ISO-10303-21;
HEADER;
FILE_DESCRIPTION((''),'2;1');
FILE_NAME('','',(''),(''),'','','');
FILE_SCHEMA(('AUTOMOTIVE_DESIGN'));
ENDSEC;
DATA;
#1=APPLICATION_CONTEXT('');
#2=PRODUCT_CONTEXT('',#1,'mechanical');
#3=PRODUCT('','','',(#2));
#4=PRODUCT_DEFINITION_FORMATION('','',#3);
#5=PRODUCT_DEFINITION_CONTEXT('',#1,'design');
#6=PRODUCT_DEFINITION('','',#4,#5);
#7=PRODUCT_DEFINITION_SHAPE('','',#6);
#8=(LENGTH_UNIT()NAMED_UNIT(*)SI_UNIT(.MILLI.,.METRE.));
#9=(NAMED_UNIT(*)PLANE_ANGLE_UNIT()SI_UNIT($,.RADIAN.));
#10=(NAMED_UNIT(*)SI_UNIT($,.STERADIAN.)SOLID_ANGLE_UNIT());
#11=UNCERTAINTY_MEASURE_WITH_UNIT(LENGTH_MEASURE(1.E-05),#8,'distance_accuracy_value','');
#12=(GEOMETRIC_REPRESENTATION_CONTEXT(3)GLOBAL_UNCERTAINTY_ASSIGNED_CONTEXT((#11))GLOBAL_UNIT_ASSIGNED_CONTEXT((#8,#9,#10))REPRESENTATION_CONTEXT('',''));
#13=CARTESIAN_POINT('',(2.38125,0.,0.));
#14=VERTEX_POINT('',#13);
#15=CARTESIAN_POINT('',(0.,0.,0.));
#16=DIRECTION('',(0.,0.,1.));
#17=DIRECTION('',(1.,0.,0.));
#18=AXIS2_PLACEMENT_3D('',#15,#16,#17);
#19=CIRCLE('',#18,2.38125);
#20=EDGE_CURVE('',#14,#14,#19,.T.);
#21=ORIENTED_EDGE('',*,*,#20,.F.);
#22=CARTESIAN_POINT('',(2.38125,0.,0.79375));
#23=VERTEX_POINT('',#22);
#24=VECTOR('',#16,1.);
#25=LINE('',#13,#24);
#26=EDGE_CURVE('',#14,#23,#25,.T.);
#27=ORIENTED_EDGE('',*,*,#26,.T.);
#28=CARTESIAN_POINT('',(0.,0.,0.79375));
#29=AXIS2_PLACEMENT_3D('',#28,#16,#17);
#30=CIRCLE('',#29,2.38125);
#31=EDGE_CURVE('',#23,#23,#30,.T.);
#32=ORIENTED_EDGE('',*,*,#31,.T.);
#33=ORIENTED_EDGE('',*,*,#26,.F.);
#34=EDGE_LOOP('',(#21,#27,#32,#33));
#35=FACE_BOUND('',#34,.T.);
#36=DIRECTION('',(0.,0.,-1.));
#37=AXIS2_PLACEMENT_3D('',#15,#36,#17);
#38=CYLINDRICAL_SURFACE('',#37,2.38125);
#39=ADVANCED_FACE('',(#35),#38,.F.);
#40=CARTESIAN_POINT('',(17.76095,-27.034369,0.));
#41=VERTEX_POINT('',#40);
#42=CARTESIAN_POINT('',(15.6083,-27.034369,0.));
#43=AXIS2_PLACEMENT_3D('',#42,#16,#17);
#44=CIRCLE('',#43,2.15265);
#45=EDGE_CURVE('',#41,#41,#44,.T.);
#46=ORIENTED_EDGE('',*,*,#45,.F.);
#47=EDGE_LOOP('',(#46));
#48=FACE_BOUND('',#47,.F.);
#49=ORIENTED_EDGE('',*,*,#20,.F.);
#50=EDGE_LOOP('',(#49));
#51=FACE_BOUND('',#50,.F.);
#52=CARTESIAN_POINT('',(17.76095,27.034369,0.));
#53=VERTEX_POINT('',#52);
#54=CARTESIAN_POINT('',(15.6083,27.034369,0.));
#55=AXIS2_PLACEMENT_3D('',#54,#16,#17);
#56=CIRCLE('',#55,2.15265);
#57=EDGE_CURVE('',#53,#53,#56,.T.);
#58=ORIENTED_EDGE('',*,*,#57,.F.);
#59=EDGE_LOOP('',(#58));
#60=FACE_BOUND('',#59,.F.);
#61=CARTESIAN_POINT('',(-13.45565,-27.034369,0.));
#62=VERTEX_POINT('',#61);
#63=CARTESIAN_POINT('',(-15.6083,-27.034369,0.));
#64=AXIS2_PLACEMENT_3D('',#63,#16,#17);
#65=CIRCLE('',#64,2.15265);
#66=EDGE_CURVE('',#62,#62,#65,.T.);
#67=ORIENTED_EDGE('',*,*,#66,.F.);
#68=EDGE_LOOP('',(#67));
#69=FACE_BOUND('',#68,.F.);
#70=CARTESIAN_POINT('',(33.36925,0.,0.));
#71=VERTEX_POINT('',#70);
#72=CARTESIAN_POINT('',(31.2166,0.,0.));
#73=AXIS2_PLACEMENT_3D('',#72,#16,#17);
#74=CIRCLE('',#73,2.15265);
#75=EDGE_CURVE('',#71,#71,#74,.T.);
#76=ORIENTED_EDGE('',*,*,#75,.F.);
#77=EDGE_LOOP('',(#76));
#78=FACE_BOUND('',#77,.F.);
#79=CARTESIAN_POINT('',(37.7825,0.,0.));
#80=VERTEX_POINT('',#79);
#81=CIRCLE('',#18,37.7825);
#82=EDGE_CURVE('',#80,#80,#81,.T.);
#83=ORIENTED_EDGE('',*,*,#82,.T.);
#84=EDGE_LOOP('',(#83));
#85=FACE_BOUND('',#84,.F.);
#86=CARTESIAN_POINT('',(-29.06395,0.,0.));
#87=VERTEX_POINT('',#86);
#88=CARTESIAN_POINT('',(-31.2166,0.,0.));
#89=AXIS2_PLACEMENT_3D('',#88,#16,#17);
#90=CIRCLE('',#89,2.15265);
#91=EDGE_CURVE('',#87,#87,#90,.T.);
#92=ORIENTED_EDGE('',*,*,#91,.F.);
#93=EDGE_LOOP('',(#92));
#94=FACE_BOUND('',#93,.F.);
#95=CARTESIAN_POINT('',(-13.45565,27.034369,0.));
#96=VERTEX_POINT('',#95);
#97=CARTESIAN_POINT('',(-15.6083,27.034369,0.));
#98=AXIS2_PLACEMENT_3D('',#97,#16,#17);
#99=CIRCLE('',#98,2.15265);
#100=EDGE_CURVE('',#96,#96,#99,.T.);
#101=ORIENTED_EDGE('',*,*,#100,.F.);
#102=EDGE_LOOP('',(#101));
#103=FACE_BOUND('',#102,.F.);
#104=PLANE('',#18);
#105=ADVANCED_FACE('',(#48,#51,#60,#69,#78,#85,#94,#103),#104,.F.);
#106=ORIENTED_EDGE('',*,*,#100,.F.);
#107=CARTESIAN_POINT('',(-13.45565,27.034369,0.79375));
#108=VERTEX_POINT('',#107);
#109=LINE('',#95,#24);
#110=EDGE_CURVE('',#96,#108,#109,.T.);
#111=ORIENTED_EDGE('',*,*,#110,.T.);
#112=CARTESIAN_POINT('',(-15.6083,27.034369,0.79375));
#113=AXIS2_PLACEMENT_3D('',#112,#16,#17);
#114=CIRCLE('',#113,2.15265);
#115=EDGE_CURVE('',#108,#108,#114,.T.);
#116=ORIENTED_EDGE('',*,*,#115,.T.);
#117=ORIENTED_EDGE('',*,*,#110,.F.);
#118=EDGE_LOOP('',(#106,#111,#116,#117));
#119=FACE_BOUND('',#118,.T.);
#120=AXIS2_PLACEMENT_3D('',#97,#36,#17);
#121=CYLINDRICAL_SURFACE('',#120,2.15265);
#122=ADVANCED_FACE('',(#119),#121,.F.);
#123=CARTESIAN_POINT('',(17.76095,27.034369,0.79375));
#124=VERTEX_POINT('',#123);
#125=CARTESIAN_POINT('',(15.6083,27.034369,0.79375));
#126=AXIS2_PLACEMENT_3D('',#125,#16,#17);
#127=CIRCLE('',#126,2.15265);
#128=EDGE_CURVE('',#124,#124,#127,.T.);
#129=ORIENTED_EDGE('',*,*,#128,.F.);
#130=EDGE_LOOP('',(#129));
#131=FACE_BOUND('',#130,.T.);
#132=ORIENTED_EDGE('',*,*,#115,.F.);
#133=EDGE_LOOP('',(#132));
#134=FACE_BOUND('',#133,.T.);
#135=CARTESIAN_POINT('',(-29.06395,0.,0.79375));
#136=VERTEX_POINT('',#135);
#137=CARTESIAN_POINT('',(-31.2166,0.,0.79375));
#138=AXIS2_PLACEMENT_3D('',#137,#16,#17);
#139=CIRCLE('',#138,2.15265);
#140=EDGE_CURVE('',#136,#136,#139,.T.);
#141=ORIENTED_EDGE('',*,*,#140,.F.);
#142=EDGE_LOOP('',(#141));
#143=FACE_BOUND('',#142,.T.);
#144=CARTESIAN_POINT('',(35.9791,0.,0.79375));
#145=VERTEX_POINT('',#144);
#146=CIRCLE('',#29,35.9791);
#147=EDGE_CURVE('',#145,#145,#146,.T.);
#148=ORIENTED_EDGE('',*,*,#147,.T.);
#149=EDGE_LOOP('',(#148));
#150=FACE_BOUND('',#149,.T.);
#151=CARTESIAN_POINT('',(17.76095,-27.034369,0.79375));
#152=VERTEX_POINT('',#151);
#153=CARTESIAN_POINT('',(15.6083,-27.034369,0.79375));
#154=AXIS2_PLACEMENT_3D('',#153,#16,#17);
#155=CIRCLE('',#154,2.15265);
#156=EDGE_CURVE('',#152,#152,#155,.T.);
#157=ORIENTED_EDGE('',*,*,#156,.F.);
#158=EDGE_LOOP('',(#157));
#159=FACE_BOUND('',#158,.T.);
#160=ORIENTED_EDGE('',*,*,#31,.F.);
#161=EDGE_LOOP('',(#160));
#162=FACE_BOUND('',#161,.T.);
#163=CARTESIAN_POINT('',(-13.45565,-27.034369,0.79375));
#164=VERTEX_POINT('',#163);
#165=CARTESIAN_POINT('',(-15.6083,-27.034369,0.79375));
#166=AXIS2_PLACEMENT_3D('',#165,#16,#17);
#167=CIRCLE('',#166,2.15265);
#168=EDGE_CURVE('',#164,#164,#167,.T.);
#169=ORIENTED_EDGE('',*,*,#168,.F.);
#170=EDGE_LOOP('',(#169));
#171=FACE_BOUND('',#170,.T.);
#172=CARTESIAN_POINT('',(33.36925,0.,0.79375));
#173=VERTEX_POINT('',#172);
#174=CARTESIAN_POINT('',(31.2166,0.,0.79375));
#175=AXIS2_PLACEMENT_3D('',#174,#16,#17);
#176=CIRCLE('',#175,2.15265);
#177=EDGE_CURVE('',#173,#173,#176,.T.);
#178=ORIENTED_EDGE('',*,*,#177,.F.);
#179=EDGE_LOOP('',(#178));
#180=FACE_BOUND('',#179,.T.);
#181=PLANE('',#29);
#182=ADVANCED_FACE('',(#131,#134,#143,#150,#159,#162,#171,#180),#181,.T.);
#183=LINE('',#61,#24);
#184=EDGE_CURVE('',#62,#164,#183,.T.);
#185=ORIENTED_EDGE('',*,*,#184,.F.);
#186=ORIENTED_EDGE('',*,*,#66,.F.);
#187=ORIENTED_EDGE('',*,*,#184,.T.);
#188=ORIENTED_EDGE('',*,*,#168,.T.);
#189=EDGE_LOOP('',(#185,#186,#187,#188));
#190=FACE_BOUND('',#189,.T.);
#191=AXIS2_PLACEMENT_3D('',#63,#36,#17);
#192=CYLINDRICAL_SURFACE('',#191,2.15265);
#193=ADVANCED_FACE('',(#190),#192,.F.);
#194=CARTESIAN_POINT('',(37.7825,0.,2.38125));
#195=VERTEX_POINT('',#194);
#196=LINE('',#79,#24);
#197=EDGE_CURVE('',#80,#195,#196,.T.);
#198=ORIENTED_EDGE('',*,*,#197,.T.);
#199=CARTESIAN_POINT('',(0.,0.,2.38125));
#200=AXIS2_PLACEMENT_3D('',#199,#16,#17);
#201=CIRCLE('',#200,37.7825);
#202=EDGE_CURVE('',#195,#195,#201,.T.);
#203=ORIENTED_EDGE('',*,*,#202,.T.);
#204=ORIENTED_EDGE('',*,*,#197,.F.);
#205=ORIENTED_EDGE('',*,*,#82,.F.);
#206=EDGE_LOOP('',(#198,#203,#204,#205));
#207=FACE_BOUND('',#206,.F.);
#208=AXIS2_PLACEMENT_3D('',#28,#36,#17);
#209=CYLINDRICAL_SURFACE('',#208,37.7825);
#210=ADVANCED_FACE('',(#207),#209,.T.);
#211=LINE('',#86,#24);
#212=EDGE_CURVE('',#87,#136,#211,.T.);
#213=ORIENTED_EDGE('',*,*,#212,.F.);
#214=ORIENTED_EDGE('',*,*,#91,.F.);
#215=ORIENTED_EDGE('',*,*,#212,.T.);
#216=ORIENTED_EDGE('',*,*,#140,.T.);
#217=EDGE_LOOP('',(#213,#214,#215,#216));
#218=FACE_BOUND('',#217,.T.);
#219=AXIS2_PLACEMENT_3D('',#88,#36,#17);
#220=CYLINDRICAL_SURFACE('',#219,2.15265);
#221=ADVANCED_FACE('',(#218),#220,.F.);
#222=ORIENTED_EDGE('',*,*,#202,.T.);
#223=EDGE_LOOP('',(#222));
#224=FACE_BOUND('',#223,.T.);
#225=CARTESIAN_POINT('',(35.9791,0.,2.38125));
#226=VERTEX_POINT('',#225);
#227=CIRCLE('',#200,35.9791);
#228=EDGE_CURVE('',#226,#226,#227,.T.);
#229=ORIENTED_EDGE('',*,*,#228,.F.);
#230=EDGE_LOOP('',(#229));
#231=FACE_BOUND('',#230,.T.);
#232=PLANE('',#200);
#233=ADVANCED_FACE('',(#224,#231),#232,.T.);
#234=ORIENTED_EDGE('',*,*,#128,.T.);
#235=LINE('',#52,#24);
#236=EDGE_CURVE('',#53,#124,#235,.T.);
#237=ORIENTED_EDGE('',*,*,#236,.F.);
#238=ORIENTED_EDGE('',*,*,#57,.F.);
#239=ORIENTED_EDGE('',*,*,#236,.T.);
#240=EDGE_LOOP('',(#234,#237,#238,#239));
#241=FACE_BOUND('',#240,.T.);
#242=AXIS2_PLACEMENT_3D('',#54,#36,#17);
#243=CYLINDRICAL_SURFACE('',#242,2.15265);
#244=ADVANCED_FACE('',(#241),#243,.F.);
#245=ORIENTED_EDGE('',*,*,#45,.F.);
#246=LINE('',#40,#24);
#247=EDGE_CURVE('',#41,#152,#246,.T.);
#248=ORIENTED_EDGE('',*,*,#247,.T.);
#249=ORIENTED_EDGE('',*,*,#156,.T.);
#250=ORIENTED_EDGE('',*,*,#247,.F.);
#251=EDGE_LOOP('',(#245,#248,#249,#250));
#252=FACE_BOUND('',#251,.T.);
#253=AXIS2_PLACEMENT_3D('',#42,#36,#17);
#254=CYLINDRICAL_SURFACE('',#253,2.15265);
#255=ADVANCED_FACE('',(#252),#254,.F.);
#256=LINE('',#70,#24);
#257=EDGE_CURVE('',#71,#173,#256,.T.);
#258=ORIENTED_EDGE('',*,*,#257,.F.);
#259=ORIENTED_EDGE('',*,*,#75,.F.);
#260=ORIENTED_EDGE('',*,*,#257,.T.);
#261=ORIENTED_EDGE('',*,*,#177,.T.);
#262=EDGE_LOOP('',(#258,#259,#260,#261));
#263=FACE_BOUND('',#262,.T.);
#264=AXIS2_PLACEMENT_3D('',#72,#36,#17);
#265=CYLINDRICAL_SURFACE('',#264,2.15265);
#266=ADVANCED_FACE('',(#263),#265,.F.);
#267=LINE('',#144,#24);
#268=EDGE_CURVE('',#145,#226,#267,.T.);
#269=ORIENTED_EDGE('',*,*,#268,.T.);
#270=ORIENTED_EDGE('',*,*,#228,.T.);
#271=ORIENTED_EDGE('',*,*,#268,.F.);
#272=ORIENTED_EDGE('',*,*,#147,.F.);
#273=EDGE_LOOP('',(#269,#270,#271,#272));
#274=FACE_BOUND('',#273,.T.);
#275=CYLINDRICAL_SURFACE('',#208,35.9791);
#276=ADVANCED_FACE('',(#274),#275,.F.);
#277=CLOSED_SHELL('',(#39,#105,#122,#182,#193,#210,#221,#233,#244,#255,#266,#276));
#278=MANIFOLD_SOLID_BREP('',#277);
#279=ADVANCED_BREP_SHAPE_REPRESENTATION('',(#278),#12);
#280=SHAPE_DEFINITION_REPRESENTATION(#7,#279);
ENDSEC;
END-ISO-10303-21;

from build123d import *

# Parameters (mm, degrees)
F0_R     = 37.7825
F0_R_2   = 2.15265
F0_R_3   = 2.38125
F1_DEPTH = 0.79375
F2_R     = 37.7825
F2_R_2   = 35.9791
F3_DEPTH = 1.5875


with BuildPart() as f1:
    # F0 (on Top) → F1 (new body)
    with BuildSketch(Plane.XY):
        Circle(F0_R)
        with Locations((-15.6083, -27.034369)):
            Circle(F0_R_2, mode=Mode.SUBTRACT)
        with Locations((15.6083, -27.034369)):
            Circle(F0_R_2, mode=Mode.SUBTRACT)
        with Locations((-31.2166, 0)):
            Circle(F0_R_2, mode=Mode.SUBTRACT)
        with Locations((-15.6083, 27.034369)):
            Circle(F0_R_2, mode=Mode.SUBTRACT)
        Circle(F0_R_3, mode=Mode.SUBTRACT)
        with Locations((31.2166, 0)):
            Circle(F0_R_2, mode=Mode.SUBTRACT)
        with Locations((15.6083, 27.034369)):
            Circle(F0_R_2, mode=Mode.SUBTRACT)
    extrude(amount=F1_DEPTH)

    # F2 (on face) → F3 (join)
    with BuildSketch(Plane.XY.offset(0.79375)):
        Circle(F2_R)
        Circle(F2_R_2, mode=Mode.SUBTRACT)
    extrude(amount=F3_DEPTH)


solid = f1.part
